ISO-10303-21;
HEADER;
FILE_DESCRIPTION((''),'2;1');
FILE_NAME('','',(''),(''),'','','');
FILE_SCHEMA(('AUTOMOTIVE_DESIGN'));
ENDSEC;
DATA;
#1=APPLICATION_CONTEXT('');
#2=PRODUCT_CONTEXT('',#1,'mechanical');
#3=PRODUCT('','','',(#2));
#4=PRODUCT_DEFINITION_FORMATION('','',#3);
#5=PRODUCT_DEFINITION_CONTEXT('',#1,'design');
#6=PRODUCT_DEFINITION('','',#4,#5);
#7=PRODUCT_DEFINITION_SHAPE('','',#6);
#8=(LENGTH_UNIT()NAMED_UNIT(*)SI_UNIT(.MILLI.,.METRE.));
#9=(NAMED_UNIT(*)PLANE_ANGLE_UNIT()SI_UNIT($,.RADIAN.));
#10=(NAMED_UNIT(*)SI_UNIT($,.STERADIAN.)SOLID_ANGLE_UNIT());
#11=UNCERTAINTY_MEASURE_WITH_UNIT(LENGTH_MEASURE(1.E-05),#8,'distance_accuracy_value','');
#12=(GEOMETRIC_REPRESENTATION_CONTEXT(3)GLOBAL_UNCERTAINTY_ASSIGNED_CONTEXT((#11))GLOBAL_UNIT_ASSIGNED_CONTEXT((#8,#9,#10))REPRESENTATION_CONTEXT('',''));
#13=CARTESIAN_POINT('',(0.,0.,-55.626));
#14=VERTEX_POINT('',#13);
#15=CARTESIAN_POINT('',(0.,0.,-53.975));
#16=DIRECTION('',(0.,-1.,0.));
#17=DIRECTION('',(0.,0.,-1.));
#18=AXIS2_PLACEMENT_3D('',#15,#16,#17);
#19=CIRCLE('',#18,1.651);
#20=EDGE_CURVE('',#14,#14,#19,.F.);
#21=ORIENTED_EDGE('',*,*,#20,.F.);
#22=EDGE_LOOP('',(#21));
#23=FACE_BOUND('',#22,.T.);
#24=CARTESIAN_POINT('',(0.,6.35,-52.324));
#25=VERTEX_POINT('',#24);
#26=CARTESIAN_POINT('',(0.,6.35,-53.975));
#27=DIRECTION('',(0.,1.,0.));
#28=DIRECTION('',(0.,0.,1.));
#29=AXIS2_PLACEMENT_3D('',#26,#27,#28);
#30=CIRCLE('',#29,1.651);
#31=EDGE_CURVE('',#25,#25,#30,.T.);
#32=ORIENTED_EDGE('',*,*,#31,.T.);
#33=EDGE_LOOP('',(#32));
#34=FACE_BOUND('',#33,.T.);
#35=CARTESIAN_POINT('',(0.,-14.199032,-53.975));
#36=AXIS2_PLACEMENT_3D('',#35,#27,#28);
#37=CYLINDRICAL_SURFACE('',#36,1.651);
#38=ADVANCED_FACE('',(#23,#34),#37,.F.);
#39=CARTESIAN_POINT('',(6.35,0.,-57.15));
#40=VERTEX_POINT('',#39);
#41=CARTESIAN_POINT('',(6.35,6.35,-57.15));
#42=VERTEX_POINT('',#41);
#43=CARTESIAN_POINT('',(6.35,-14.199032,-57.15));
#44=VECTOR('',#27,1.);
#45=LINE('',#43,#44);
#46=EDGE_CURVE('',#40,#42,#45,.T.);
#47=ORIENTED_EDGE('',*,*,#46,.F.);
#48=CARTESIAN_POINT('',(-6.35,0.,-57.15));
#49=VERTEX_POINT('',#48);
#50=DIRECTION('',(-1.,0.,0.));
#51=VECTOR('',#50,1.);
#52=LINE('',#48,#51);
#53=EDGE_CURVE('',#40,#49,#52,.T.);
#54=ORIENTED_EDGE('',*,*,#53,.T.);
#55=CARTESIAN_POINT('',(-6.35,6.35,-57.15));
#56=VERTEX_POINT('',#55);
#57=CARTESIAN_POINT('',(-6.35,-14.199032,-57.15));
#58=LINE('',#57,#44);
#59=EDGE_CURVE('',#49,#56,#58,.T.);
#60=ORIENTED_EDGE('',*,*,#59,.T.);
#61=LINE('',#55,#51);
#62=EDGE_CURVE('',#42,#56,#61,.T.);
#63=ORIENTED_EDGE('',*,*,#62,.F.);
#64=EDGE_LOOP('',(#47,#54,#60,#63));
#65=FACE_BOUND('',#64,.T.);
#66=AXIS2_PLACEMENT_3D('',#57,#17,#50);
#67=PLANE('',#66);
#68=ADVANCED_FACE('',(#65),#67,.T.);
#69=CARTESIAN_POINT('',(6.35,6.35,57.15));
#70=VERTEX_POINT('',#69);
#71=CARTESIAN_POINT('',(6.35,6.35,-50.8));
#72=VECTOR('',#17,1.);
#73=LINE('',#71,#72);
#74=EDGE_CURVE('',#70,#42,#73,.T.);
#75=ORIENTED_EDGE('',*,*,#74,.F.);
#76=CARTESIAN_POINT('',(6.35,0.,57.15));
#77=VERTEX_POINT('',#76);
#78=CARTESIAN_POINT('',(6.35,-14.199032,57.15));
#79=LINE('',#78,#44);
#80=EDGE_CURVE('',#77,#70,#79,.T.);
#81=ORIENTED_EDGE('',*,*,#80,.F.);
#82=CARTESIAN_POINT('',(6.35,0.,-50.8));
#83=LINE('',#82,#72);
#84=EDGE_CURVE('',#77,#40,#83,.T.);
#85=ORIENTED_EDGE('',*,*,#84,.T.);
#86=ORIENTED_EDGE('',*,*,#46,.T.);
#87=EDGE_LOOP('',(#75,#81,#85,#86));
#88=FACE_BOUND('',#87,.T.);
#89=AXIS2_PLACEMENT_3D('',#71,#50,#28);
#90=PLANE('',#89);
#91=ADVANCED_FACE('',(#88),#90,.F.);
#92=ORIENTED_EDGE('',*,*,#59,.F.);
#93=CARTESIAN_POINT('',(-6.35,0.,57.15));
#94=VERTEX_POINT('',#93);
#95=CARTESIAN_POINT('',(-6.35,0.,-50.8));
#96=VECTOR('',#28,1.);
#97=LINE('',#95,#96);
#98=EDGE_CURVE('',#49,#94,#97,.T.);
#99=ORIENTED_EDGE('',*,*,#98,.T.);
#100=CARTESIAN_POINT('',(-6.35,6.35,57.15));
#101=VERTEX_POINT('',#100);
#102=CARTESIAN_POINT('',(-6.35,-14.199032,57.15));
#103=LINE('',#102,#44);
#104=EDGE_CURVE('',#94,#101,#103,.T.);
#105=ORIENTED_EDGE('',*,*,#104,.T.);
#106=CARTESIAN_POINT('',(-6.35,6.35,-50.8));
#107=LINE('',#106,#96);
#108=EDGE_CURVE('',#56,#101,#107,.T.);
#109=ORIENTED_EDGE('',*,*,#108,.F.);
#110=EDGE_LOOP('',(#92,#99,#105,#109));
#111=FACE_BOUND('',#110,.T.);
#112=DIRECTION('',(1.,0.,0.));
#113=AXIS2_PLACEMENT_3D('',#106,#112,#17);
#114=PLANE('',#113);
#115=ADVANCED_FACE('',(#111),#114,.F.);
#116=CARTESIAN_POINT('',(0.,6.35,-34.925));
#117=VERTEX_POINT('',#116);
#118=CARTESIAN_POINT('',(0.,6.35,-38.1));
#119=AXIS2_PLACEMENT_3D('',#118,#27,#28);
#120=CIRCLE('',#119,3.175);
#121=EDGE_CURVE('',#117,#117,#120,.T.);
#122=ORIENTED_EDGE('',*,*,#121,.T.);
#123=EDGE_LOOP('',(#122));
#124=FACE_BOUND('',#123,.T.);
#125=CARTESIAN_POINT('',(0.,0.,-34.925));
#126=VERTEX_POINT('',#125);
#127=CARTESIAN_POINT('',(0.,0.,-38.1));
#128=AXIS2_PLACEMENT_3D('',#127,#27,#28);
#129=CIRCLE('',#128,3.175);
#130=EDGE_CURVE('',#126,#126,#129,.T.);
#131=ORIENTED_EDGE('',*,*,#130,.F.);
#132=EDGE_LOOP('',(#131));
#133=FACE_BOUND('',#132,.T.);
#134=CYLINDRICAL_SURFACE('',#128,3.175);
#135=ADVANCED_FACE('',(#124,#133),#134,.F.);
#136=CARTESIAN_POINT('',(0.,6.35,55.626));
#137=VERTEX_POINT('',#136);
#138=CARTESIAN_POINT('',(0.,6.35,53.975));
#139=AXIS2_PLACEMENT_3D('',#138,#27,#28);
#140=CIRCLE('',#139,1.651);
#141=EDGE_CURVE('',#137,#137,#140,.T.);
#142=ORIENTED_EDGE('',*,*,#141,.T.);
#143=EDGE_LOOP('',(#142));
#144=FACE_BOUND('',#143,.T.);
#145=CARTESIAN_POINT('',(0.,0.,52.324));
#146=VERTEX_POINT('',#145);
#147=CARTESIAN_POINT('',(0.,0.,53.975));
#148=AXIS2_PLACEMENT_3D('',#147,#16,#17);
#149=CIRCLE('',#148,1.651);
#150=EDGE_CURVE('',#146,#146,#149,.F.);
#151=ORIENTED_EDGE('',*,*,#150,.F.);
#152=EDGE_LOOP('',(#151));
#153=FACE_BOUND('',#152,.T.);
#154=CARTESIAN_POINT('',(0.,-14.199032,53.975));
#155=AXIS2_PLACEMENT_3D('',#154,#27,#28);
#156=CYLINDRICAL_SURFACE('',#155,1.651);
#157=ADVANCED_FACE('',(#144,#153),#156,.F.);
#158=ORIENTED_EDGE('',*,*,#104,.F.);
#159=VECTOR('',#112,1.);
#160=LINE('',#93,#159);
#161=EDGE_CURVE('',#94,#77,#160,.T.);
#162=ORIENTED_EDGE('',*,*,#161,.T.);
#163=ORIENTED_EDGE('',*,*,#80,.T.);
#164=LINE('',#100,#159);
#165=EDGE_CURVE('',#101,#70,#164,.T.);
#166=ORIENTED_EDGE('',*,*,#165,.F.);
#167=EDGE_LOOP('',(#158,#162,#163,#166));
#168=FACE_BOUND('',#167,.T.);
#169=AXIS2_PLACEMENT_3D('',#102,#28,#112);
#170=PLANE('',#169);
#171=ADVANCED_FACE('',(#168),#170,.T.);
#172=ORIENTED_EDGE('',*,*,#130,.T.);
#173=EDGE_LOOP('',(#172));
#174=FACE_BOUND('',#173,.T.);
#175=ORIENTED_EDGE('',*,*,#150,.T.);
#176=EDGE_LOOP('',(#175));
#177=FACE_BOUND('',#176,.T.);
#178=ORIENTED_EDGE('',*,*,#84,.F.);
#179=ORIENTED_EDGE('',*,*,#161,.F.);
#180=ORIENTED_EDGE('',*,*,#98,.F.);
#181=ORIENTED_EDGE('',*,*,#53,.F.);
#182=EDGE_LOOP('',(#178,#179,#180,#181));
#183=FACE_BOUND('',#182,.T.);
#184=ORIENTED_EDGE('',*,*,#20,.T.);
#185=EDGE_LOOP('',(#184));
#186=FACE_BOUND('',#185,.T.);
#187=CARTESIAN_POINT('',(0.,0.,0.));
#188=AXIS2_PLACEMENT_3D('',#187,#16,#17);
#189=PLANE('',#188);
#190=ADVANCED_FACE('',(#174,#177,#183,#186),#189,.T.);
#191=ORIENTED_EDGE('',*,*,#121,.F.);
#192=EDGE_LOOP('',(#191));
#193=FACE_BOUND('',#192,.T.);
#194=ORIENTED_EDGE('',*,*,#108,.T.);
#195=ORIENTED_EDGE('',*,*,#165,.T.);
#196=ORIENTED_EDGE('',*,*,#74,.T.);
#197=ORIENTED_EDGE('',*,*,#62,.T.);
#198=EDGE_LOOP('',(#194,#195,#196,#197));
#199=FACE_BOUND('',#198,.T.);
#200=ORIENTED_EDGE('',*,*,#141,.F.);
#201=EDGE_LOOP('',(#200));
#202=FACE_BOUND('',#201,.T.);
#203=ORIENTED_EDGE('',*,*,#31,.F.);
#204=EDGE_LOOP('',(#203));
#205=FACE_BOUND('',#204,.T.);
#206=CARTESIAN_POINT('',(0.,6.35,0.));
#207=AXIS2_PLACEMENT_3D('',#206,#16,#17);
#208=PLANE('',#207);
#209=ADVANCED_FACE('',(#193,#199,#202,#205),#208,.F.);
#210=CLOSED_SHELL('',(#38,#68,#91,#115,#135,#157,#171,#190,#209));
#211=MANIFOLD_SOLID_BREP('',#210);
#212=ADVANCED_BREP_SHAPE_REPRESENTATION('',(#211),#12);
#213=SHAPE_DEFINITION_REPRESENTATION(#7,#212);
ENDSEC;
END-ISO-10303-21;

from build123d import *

# Parameters (mm, degrees)
SKETCH1_W           = 12.7
SKETCH1_H           = 101.6
BOSS_EXTRUDE1_DEPTH = 6.35
SKETCH2_W           = 12.7
SKETCH2_H           = 6.35
SKETCH2_R           = 1.651
BOSS_EXTRUDE2_DEPTH = 6.35
SKETCH3_R           = 3.175
CUT_EXTRUDE1_DEPTH  = 58.851253228


with BuildPart() as part:
    # Sketch1 → Boss-Extrude1 (new body)
    with BuildSketch(Plane(origin=(0, 0, 0), x_dir=(1, 0, 0), z_dir=(0, 1, 0))):
        Rectangle(SKETCH1_W, SKETCH1_H)
    extrude(amount=BOSS_EXTRUDE1_DEPTH)

    # Sketch2 → Boss-Extrude2 (add)
    # profile 1 of 2: a face of its own
    with BuildSketch(Plane(origin=(0, 6.35, 0), x_dir=(1, 0, 0), z_dir=(0, 1, 0))):
        with Locations((0, 53.975)):
            Rectangle(SKETCH2_W, SKETCH2_H)
        with Locations(Location((0, 53.975, 0), (0, 0, 270))):
            Circle(SKETCH2_R, mode=Mode.SUBTRACT)
    # profile 2 of 2: a face of its own
    with BuildSketch(Plane(origin=(0, 6.35, 0), x_dir=(1, 0, 0), z_dir=(0, 1, 0))):
        with Locations((0, -53.975)):
            Rectangle(SKETCH2_W, SKETCH2_H)
        with Locations(Location((0, -53.975, 0), (0, 0, 270))):
            Circle(SKETCH2_R, mode=Mode.SUBTRACT)
    extrude(amount=-BOSS_EXTRUDE2_DEPTH)

    # Sketch3 → Cut-Extrude1 (cut, through all)
    with BuildSketch(Plane(origin=(0, 6.35, 0), x_dir=(1, 0, 0), z_dir=(0, 1, 0))):
        with Locations(Location((0, 38.1, 0), (0, 0, 270))):
            Circle(SKETCH3_R)
    extrude(amount=-CUT_EXTRUDE1_DEPTH, mode=Mode.SUBTRACT)


solid = part.part
